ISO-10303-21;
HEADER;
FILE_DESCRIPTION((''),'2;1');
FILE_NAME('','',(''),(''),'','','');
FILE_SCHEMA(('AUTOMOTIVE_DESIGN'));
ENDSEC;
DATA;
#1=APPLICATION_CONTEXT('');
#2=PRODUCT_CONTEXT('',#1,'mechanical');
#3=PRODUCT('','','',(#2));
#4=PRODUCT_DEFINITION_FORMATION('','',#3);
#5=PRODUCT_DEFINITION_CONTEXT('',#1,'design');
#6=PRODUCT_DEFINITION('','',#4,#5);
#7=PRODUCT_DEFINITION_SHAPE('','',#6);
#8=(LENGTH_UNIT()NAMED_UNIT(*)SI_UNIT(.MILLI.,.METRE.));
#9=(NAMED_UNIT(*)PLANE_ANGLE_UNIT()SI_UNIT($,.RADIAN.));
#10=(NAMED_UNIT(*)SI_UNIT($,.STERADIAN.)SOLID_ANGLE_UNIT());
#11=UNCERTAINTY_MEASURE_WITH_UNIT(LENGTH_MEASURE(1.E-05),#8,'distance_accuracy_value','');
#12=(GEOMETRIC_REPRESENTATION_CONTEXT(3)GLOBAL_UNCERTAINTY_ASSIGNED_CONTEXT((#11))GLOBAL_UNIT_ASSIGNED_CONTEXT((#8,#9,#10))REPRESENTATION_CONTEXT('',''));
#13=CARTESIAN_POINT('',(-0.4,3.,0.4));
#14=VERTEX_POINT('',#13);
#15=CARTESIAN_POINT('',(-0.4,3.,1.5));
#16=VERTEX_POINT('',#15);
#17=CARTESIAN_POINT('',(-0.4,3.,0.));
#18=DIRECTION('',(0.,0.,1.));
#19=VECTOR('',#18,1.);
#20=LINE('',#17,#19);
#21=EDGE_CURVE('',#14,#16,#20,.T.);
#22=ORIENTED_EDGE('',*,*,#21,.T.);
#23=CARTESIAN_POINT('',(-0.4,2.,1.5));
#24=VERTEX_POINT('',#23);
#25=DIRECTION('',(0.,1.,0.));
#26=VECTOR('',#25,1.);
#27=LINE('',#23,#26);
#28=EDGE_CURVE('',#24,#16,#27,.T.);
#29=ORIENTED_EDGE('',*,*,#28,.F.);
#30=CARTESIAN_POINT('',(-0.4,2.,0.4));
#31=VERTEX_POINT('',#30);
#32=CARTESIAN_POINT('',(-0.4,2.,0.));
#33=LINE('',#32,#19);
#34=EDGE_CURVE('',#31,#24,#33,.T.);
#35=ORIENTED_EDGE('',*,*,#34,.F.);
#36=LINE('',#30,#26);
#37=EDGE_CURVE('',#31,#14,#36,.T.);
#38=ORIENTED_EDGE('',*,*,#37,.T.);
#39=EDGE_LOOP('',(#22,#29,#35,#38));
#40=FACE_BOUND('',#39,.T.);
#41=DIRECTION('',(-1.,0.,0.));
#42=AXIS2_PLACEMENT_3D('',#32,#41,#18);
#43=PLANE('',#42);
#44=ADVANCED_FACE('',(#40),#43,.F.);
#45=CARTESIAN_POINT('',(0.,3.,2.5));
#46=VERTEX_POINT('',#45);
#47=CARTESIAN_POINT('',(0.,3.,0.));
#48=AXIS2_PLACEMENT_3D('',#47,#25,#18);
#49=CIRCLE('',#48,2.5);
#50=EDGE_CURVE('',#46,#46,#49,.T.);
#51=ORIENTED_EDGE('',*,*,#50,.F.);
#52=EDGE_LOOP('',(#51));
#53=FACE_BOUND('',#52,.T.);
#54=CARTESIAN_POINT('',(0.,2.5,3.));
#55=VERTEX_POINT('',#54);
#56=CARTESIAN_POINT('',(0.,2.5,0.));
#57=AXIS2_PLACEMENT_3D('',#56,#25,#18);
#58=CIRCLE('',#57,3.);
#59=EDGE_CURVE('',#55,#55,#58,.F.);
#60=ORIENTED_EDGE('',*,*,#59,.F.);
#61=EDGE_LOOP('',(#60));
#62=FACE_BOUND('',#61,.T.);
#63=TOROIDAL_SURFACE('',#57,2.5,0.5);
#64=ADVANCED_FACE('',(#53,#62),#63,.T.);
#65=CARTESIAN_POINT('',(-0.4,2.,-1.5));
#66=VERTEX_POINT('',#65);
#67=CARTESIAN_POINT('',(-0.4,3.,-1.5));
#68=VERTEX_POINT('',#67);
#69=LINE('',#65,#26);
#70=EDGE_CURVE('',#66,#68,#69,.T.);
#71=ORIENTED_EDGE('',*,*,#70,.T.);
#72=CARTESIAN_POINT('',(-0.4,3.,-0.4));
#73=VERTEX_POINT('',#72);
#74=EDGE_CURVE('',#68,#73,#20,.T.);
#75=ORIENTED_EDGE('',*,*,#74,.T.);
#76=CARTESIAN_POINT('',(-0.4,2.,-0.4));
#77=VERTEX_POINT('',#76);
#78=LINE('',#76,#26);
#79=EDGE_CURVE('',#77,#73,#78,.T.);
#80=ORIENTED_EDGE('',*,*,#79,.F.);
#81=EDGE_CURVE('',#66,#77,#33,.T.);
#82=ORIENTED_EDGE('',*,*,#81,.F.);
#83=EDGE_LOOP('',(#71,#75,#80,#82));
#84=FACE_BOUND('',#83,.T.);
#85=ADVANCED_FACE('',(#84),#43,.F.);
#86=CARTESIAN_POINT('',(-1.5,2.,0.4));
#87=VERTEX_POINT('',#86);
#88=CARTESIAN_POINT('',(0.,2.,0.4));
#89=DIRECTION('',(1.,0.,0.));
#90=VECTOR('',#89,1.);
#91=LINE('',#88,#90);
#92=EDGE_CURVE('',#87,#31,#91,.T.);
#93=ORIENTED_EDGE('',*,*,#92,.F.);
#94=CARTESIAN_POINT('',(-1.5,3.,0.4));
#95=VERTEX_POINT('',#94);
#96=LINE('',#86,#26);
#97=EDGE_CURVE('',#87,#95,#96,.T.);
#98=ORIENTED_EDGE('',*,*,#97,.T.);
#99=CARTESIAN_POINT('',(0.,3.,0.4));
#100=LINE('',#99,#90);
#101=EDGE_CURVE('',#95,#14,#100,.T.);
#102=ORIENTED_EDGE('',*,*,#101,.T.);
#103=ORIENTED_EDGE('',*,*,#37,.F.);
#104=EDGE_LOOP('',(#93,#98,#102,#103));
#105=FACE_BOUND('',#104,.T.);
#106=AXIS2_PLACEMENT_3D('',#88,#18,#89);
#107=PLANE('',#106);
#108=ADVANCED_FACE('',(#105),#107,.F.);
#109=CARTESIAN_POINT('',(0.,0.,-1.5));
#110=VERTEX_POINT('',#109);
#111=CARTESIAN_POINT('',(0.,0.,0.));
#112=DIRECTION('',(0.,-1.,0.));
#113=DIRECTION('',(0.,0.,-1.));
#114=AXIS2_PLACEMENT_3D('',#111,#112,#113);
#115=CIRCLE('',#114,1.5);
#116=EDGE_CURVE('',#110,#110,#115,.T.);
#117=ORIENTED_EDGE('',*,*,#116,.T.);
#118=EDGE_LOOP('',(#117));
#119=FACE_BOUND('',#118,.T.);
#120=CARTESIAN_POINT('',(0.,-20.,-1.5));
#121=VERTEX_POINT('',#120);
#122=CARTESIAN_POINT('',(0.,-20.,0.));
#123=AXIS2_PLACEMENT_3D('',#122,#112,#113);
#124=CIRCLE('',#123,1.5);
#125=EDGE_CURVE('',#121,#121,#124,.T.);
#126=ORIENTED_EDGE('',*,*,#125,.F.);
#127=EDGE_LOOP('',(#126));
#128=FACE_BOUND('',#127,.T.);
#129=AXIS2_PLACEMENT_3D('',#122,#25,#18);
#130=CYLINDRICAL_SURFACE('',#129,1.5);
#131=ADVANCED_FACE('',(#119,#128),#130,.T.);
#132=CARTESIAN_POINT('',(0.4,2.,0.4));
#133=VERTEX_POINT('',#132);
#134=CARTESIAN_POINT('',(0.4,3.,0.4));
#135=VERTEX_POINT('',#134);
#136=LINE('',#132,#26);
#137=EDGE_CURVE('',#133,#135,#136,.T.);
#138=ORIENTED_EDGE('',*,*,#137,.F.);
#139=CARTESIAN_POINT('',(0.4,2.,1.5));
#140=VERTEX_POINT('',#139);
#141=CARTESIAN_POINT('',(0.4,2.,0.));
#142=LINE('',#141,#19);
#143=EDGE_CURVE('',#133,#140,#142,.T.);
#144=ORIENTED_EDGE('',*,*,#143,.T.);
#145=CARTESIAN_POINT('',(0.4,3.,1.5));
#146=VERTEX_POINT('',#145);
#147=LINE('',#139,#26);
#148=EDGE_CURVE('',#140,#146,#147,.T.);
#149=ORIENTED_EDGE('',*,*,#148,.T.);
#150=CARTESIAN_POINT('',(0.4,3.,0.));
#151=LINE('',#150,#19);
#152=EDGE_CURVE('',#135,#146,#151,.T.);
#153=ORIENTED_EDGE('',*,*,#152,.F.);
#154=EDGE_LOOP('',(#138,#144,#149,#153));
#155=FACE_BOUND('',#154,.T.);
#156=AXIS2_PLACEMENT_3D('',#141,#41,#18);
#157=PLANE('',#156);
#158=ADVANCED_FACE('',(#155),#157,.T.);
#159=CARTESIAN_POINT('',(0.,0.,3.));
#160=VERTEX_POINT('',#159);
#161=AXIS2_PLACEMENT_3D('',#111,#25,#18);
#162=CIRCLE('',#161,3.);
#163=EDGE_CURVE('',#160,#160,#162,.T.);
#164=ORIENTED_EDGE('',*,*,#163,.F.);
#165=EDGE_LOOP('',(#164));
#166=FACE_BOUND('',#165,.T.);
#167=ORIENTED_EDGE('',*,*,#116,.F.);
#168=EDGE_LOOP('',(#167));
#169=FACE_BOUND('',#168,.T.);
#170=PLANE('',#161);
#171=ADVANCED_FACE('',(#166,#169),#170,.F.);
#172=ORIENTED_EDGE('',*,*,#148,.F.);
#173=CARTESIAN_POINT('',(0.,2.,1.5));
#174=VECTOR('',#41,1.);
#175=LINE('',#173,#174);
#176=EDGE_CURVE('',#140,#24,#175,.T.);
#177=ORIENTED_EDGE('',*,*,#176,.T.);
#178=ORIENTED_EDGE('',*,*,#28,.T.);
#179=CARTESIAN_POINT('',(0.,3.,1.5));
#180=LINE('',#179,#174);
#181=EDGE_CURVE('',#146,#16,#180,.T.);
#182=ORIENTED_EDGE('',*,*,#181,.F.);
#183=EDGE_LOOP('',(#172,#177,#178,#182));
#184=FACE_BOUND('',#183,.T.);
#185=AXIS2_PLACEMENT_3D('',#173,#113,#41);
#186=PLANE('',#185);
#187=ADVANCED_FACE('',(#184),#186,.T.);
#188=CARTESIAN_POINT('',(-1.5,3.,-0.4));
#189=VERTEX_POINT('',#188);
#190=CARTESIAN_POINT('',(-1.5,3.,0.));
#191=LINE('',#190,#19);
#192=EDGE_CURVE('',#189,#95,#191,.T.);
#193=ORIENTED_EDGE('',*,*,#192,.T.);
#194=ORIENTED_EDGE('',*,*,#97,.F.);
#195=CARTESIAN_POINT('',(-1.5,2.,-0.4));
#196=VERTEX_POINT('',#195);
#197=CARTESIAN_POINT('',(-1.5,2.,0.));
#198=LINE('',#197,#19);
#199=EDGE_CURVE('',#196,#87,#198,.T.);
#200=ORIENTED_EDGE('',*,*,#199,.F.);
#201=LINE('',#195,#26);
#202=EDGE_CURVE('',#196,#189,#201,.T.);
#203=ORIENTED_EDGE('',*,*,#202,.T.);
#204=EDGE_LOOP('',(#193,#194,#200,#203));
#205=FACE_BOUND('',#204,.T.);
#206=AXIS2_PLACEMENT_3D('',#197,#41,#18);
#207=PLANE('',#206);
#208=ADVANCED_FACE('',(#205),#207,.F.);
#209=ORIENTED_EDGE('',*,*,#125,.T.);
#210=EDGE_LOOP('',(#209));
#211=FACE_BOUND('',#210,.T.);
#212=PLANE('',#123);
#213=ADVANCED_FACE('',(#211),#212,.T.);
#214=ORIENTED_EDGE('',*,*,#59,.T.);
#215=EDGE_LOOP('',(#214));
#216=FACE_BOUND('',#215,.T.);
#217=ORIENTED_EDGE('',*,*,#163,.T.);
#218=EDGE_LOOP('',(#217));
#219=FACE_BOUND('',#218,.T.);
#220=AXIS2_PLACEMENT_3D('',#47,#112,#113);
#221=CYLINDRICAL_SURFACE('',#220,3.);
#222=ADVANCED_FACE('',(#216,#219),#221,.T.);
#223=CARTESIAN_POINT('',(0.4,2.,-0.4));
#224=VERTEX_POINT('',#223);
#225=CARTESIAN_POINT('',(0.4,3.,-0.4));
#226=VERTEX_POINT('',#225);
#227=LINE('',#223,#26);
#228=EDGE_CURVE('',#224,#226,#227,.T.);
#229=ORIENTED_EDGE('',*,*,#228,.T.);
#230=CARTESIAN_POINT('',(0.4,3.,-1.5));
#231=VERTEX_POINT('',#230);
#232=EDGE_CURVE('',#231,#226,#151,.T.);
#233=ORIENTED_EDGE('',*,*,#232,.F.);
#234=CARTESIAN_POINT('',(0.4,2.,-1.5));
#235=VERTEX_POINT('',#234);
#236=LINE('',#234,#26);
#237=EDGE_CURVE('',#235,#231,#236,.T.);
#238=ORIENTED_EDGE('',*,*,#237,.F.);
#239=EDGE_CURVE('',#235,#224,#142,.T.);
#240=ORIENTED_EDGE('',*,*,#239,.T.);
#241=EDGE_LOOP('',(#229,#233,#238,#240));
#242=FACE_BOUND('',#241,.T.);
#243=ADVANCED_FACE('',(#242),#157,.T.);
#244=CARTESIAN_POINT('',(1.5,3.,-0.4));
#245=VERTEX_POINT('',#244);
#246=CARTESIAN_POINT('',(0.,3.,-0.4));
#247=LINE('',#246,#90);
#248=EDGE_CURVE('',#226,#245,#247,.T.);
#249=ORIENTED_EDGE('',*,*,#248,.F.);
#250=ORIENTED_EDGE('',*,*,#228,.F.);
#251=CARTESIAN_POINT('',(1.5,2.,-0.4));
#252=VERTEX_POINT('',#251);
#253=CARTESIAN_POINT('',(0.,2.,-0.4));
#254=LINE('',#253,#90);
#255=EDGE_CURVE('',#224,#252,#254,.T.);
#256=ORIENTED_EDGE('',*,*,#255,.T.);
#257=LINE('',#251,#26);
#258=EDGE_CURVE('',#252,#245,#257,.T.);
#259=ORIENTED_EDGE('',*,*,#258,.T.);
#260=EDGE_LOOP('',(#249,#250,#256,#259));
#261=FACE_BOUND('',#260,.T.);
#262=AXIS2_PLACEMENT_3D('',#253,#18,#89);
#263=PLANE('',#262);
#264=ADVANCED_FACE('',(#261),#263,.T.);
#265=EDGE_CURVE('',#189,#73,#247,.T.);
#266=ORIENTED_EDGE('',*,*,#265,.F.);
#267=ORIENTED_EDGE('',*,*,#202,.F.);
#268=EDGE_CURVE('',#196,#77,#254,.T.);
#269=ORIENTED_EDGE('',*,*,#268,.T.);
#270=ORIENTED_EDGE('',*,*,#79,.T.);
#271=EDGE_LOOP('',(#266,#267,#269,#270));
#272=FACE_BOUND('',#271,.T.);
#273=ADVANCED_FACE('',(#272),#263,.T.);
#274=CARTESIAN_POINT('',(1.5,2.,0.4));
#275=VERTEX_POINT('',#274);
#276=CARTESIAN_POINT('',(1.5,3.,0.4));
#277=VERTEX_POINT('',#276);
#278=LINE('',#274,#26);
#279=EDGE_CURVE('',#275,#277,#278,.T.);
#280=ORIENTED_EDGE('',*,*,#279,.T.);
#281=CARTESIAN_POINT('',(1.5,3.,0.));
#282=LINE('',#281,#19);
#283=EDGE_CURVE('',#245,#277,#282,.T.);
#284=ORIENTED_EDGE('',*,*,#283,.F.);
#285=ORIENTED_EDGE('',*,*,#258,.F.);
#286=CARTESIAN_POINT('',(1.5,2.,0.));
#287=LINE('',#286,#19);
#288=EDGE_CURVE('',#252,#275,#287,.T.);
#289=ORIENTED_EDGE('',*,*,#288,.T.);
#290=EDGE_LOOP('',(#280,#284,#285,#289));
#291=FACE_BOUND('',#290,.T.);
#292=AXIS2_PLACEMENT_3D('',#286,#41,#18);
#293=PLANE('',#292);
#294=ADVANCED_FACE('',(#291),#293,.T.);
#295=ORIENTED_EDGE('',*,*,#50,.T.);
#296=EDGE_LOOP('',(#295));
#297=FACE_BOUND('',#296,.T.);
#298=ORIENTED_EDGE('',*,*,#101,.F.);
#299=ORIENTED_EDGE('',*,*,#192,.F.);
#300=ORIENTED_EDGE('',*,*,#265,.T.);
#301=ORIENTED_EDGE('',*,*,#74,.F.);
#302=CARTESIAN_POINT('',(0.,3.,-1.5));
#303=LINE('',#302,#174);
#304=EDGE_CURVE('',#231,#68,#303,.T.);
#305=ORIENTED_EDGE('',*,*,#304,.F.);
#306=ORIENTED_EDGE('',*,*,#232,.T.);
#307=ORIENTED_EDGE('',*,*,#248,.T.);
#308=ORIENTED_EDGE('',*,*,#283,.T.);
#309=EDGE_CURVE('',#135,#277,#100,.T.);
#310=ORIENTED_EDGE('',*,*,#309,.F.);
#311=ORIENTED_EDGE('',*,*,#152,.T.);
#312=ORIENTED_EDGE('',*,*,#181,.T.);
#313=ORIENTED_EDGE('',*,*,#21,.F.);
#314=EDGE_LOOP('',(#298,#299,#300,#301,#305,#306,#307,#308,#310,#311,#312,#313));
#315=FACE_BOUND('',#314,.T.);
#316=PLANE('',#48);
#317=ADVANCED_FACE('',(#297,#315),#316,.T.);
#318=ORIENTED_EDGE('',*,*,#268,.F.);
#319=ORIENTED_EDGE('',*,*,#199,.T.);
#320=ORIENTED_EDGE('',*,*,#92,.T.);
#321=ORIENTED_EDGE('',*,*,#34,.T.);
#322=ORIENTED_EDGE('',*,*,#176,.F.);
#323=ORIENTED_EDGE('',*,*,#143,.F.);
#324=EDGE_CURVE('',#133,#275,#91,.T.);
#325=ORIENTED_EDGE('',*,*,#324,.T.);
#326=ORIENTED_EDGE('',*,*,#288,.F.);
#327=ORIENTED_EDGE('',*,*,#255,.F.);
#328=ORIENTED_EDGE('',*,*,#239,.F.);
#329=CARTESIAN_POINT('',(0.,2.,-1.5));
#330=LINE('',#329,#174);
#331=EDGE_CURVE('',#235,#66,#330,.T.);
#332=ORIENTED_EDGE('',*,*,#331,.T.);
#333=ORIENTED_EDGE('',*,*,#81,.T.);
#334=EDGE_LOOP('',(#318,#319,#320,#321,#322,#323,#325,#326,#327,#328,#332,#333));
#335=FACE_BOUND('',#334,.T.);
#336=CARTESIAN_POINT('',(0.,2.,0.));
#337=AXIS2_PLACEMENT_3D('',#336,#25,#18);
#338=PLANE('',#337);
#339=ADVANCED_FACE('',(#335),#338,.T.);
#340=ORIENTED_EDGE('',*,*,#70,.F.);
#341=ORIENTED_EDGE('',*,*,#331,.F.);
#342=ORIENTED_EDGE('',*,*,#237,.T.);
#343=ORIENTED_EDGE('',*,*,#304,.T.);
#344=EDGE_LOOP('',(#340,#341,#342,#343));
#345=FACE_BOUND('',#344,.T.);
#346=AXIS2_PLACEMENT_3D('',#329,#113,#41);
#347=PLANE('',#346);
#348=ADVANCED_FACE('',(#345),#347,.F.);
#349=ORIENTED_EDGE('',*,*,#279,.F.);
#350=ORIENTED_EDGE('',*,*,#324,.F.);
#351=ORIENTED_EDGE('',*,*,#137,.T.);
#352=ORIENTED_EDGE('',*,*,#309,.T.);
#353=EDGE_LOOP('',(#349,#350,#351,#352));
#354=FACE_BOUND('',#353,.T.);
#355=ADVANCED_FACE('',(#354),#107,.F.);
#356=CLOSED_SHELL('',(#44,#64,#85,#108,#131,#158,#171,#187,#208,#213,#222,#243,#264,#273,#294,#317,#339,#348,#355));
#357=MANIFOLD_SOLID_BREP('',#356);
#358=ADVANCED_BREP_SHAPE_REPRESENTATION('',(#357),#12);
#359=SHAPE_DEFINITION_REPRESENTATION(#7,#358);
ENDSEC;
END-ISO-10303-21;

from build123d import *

# Parameters (mm, degrees)
SKETCH1_R           = 3
BOSS_EXTRUDE1_DEPTH = 3
SKETCH2_R           = 1.5
BOSS_EXTRUDE2_DEPTH = 20
FILLET1_R           = 0.5
SKETCH3_W           = 0.8
SKETCH3_H           = 1.1
SKETCH3_W_2         = 1.1
SKETCH3_H_2         = 0.8
CUT_EXTRUDE1_DEPTH  = 1


with BuildPart() as part:
    # Sketch1 → Boss-Extrude1 (new body)
    with BuildSketch(Plane(origin=(0, 0, 0), x_dir=(1, 0, 0), z_dir=(0, 1, 0))):
        with Locations(Location((0, 0, 0), (0, 0, 270))):
            Circle(SKETCH1_R)
    extrude(amount=BOSS_EXTRUDE1_DEPTH)

    # Sketch2 → Boss-Extrude2 (add)
    with BuildSketch(Plane.XZ):
        with Locations(Location((0, 0, 0), (0, 0, 270))):
            Circle(SKETCH2_R)
    extrude(amount=BOSS_EXTRUDE2_DEPTH)

    # Fillet1
    fillet1_edges = [part.edges().sort_by_distance(p)[0] for p in [
        (0, 3, -3),
    ]]
    fillet(fillet1_edges, radius=FILLET1_R)

    # Sketch3 → Cut-Extrude1 (cut)
    with BuildSketch(Plane(origin=(0, 3, 0), x_dir=(1, 0, 0), z_dir=(0, 1, 0))):
        with Locations((0, 0.95)):
            Rectangle(SKETCH3_W, SKETCH3_H)
        with Locations((0.95, 0)):
            Rectangle(SKETCH3_W_2, SKETCH3_H_2)
        with Locations((0, -0.95)):
            Rectangle(SKETCH3_W, SKETCH3_H)
        with Locations((-0.95, 0)):
            Rectangle(SKETCH3_W_2, SKETCH3_H_2)
        Rectangle(SKETCH3_W, SKETCH3_H_2)
    extrude(amount=-CUT_EXTRUDE1_DEPTH, mode=Mode.SUBTRACT)


solid = part.part
